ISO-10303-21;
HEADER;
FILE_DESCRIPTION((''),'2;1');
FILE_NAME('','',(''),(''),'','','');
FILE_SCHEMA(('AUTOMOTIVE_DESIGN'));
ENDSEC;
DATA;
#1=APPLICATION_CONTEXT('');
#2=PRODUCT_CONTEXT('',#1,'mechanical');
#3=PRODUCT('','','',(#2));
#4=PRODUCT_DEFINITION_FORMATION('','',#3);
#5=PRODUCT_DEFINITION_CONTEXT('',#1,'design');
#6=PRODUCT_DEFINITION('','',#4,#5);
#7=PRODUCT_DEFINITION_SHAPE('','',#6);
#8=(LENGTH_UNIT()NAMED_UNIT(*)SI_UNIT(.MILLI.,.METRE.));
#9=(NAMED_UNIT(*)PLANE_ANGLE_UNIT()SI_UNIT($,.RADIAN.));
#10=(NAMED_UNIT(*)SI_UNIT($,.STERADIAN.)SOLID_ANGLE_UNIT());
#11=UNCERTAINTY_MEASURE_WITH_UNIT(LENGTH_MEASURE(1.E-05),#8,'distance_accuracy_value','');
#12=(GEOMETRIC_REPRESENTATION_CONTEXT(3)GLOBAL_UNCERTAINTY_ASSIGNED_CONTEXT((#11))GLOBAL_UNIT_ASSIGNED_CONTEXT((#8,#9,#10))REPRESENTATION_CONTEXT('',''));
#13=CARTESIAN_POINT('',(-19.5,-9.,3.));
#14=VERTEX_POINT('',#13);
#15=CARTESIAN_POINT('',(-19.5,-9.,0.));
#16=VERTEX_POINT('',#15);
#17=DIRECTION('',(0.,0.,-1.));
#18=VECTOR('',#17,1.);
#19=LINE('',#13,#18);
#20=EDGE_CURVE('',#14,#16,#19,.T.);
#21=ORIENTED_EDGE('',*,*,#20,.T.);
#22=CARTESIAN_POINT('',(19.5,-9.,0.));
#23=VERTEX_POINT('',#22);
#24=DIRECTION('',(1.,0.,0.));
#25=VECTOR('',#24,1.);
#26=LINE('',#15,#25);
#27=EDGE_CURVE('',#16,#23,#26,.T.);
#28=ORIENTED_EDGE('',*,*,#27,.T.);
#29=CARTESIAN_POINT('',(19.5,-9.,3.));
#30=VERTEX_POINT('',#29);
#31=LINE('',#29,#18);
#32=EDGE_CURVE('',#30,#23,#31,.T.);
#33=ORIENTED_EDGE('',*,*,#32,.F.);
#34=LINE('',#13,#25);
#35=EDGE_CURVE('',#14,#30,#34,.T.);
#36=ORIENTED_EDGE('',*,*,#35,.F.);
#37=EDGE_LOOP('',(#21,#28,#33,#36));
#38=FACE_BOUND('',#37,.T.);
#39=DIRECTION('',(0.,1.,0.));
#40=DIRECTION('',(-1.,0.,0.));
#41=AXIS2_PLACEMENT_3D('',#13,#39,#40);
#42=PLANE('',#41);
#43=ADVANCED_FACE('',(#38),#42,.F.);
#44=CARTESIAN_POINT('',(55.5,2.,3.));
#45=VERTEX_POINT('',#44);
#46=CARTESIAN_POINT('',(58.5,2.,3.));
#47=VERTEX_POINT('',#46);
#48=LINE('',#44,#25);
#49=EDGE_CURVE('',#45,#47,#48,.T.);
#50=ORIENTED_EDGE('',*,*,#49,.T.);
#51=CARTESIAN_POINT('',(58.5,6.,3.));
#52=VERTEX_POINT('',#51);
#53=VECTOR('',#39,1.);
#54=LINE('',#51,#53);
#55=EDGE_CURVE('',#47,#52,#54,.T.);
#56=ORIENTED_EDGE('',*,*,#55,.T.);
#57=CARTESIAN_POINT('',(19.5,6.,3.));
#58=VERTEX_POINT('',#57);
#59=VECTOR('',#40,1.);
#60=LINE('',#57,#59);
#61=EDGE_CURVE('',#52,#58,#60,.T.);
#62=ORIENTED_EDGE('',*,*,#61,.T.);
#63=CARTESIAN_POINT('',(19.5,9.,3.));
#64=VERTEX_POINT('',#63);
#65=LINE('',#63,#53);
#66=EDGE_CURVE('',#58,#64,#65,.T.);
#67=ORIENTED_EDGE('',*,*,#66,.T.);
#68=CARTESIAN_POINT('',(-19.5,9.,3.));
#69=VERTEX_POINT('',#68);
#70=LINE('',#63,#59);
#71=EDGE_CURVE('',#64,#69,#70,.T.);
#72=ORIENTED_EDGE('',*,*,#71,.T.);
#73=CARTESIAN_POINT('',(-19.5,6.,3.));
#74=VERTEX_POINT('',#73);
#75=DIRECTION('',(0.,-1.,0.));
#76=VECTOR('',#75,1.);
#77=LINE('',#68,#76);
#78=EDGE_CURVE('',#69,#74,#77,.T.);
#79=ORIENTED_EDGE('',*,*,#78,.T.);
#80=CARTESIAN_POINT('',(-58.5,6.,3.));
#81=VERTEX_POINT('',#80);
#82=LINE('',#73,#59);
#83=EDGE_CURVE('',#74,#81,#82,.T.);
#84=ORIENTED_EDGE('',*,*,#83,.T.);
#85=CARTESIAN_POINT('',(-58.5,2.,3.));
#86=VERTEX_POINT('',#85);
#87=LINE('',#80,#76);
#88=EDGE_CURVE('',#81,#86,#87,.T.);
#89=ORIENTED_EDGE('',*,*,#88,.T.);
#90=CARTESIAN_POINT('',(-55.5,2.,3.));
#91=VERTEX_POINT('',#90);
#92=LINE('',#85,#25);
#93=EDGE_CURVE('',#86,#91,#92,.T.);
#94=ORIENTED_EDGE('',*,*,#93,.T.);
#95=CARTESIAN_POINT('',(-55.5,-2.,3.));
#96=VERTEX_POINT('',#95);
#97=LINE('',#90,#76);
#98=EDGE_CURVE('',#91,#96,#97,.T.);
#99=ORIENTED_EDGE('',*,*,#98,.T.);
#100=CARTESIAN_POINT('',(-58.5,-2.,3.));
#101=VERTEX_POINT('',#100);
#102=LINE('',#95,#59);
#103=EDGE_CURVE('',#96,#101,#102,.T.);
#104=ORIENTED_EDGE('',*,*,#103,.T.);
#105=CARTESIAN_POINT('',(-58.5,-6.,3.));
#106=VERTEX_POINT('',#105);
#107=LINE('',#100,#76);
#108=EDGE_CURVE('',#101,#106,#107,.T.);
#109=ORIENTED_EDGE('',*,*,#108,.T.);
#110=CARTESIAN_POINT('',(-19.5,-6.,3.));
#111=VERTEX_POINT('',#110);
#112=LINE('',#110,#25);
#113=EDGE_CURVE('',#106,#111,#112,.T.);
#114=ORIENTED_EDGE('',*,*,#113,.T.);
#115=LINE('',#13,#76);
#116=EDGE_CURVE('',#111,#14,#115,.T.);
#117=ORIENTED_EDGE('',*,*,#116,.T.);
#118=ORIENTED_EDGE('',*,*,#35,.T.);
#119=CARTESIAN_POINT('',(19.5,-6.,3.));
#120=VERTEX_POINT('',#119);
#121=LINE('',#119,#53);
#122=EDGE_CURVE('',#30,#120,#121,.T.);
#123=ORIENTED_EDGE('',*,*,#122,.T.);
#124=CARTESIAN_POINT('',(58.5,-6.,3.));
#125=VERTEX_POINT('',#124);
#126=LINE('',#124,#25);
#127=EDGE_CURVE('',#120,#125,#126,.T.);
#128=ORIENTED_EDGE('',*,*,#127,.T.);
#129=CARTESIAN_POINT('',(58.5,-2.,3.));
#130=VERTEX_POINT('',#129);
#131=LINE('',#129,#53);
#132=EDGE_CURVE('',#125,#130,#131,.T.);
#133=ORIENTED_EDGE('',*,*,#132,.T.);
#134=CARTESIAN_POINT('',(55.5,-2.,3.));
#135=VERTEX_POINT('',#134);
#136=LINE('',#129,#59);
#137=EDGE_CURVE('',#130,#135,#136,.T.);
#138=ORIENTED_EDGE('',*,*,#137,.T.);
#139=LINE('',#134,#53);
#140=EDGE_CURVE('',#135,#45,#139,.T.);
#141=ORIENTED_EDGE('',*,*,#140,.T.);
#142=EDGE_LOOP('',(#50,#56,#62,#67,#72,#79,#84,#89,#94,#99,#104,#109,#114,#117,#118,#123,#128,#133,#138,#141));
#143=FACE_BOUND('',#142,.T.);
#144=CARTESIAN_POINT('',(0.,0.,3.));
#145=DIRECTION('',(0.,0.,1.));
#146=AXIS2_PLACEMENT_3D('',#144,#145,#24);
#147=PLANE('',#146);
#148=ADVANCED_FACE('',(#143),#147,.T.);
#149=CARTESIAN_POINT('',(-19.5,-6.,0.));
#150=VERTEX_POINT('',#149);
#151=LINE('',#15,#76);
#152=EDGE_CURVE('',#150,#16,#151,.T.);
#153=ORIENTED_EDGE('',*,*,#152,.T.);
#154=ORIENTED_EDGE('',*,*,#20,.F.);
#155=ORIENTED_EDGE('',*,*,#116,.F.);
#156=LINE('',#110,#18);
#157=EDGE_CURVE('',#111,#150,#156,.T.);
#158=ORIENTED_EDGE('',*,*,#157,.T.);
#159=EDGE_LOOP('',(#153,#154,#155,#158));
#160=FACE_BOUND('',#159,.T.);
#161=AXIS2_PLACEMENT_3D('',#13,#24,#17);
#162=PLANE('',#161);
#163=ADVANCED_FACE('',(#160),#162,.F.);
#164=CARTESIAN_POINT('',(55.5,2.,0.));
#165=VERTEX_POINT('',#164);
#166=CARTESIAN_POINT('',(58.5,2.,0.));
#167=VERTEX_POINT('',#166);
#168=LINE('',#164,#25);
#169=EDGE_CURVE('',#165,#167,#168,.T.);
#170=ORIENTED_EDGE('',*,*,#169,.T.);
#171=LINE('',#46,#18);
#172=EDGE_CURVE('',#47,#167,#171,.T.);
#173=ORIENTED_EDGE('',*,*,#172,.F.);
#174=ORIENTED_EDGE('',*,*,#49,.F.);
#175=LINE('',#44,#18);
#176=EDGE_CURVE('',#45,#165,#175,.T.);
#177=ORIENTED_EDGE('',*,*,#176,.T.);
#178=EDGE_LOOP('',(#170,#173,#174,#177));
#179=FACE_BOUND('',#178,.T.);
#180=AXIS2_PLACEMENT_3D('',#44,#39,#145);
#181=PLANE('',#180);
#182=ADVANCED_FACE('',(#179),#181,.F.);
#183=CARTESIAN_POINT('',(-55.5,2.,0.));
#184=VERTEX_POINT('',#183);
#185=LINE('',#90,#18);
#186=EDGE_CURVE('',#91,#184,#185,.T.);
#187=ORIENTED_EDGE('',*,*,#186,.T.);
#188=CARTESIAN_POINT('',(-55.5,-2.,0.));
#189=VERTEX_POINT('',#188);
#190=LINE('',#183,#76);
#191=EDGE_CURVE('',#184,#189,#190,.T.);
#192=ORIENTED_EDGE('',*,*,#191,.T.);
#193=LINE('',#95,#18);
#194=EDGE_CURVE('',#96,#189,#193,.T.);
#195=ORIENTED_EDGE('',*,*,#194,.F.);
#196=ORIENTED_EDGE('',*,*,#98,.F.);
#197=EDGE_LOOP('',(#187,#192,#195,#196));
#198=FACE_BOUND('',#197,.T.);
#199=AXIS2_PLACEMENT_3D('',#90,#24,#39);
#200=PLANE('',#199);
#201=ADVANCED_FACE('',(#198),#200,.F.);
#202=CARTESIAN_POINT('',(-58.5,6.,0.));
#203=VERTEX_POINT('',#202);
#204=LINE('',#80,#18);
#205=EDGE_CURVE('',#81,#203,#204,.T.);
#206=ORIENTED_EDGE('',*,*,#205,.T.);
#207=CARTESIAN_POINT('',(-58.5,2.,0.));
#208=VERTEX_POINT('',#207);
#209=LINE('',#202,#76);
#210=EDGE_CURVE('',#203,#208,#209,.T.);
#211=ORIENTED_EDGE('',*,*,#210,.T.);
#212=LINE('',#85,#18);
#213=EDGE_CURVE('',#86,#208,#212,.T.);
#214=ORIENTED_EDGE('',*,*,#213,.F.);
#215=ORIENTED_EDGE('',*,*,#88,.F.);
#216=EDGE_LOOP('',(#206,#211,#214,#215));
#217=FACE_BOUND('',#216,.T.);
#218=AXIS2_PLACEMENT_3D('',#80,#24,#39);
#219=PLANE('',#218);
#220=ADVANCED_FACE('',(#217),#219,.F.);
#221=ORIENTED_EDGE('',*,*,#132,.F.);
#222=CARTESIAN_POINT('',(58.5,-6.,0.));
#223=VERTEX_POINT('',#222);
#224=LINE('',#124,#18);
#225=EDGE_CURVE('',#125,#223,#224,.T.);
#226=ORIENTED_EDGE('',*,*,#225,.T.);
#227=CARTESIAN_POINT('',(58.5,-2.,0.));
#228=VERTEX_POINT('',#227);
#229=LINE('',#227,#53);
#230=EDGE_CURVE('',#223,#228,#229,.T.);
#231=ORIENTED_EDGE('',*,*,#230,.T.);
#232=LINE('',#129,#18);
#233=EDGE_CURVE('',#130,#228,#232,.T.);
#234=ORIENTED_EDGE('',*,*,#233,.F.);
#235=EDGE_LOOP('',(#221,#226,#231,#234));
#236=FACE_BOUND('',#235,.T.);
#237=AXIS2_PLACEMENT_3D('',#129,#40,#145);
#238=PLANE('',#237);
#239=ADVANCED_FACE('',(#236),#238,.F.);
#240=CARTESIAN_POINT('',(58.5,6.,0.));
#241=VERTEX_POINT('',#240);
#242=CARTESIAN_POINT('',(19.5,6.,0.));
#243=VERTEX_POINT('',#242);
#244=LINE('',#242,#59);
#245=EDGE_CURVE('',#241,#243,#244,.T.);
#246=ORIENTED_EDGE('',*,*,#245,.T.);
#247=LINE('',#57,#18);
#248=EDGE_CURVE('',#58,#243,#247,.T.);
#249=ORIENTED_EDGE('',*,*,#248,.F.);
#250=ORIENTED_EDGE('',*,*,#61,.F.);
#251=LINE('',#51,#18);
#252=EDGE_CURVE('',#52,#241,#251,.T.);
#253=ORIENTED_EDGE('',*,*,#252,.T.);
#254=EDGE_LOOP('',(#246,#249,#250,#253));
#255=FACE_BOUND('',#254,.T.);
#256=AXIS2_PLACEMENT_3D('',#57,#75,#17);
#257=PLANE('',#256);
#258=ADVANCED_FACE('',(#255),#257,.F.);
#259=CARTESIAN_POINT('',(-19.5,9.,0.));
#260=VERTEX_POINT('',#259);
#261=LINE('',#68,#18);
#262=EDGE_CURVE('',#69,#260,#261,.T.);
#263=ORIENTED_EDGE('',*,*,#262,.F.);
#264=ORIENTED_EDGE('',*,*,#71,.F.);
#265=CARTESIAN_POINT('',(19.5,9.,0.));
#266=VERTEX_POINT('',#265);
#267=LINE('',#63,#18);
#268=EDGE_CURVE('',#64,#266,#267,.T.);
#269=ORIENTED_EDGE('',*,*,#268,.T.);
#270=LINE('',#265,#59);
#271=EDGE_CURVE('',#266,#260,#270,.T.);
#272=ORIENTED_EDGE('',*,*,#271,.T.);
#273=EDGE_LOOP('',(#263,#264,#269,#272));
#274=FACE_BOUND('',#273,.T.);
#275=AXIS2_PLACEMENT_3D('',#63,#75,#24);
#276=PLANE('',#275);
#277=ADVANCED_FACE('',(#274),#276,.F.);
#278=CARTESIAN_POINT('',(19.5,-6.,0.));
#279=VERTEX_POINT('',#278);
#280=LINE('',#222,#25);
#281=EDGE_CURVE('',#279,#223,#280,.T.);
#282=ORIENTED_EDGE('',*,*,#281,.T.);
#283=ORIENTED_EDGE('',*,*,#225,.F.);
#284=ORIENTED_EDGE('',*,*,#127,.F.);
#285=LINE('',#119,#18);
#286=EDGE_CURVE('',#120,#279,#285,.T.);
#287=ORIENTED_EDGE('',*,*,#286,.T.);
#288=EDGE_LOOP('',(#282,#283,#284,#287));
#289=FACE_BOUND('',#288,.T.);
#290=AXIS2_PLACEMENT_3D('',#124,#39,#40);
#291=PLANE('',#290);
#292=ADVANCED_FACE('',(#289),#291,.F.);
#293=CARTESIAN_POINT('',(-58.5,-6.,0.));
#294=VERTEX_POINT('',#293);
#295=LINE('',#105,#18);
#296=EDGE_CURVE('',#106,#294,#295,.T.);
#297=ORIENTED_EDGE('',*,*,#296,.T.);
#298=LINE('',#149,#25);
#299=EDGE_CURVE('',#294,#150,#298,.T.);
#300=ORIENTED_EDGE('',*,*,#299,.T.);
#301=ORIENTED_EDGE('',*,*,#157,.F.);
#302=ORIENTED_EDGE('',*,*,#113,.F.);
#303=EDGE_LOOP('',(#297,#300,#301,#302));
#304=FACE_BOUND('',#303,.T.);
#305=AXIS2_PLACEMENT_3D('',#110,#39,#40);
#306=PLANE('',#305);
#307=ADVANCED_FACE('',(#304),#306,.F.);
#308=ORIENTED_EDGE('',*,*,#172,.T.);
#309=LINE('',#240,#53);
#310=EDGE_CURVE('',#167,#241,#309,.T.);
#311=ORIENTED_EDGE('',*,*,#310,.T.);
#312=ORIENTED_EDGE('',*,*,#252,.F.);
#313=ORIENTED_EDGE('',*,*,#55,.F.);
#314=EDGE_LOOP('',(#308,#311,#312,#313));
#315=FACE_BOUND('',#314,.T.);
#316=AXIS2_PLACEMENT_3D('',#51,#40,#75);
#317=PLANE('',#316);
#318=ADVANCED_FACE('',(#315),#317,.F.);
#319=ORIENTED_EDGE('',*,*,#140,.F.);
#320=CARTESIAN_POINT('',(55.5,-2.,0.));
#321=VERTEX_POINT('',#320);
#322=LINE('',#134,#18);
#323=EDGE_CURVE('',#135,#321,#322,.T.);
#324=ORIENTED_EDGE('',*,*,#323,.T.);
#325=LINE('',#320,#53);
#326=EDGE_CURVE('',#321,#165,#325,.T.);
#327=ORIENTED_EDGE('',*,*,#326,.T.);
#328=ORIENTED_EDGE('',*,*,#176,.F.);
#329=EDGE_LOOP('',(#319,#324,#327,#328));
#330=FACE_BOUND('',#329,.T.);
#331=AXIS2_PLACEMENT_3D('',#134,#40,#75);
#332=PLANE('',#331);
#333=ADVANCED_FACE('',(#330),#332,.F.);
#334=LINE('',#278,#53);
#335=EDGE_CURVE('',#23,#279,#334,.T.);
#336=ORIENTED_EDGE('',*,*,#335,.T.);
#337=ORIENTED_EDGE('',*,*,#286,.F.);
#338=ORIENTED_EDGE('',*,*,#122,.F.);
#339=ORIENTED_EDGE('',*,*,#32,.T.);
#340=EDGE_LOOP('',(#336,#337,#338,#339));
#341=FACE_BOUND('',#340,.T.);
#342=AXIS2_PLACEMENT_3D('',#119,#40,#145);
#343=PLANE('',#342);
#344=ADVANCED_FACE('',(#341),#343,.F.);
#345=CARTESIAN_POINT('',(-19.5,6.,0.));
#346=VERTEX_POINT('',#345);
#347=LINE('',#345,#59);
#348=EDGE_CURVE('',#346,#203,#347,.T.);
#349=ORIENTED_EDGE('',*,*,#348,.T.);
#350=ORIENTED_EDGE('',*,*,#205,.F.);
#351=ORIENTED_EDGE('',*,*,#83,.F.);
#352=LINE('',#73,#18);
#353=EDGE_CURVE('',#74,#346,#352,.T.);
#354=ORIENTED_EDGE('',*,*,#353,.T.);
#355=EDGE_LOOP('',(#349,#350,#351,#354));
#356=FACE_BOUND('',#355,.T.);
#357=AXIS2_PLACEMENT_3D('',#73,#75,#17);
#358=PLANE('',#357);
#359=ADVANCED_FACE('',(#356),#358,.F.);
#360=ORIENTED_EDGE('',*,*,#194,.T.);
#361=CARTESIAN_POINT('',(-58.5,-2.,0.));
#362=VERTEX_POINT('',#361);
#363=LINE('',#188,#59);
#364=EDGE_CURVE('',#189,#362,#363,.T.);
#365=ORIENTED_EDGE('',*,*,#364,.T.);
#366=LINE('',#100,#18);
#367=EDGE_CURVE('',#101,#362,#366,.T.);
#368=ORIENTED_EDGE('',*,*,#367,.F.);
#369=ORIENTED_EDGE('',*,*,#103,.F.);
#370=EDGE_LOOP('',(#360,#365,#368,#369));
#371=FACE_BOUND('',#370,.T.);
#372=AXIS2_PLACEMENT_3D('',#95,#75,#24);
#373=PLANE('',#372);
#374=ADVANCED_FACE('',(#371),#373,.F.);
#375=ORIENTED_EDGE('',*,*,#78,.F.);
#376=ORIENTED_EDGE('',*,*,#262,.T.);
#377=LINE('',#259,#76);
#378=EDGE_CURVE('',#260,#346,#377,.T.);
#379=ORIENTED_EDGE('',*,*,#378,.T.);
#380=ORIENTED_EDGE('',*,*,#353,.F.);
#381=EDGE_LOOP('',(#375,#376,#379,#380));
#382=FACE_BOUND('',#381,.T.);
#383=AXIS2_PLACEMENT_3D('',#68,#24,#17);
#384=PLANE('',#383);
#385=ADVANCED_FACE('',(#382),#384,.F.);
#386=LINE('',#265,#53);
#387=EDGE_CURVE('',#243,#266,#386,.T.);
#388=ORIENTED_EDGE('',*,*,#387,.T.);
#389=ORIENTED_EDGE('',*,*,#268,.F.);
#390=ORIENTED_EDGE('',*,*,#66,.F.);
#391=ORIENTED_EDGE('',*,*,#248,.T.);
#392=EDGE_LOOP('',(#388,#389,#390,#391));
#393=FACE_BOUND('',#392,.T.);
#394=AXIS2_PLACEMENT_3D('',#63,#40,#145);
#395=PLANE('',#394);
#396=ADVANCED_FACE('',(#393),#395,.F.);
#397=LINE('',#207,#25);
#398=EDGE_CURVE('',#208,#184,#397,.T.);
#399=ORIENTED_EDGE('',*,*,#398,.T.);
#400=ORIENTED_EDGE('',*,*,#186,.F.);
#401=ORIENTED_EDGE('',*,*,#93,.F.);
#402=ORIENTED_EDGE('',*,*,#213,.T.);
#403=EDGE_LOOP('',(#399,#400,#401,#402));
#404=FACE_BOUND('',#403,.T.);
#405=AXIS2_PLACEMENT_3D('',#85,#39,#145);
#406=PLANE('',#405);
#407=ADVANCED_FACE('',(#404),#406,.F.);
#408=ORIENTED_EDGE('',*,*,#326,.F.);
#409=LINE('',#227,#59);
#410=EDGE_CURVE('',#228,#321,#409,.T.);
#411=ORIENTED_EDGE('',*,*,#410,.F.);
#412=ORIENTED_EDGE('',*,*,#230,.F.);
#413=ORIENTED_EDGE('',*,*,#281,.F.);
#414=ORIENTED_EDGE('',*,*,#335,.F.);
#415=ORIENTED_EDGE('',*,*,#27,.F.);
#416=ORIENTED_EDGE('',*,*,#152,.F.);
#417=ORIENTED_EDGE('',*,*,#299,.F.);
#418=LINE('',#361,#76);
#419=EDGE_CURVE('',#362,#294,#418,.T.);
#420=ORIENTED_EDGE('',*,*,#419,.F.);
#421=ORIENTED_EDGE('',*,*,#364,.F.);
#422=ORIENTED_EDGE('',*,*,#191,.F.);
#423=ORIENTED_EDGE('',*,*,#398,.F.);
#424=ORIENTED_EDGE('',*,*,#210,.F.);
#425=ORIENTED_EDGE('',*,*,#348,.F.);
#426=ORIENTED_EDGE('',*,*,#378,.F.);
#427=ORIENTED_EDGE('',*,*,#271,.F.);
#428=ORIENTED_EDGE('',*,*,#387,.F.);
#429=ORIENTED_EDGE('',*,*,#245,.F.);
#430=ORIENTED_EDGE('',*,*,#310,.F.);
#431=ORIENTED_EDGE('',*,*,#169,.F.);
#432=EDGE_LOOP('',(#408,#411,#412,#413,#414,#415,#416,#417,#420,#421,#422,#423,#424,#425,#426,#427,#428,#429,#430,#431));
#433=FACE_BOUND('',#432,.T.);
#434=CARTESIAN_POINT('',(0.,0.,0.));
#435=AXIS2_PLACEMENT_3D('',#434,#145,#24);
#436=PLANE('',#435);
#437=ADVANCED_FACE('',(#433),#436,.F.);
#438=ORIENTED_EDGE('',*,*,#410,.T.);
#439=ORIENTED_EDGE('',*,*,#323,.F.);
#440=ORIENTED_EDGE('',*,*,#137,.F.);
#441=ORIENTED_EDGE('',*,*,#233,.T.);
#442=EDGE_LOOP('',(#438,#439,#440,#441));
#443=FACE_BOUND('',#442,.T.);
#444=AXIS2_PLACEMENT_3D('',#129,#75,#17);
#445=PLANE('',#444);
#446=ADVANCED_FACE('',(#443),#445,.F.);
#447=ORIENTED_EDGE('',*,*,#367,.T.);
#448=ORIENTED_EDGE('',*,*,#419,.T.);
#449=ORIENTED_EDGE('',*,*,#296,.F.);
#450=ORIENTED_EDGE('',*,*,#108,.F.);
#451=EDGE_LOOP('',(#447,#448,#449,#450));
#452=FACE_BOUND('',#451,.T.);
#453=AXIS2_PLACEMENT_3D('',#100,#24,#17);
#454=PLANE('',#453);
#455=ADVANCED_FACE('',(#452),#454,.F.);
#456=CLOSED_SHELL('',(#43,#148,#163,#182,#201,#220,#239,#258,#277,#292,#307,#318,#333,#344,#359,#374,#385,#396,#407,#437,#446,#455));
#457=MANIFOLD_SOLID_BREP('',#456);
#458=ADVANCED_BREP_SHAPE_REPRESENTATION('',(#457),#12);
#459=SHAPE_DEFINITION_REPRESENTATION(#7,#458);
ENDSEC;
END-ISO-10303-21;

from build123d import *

# Parameters (mm, degrees)
BOSS_EXTRUDE1_DEPTH = 3


with BuildPart() as part:
    # Sketch1 → Boss-Extrude1 (new body)
    with BuildSketch(Plane.XY):
        Polygon((-19.5, -9), (19.5, -9), (19.5, -6), (58.5, -6), (58.5, -2), (55.5, -2), (55.5, 2), (58.5, 2), (58.5, 6), (19.5, 6), (19.5, 9), (-19.5, 9), (-19.5, 6), (-58.5, 6), (-58.5, 2), (-55.5, 2), (-55.5, -2), (-58.5, -2), (-58.5, -6), (-19.5, -6), align=None)
    extrude(amount=BOSS_EXTRUDE1_DEPTH)


solid = part.part
